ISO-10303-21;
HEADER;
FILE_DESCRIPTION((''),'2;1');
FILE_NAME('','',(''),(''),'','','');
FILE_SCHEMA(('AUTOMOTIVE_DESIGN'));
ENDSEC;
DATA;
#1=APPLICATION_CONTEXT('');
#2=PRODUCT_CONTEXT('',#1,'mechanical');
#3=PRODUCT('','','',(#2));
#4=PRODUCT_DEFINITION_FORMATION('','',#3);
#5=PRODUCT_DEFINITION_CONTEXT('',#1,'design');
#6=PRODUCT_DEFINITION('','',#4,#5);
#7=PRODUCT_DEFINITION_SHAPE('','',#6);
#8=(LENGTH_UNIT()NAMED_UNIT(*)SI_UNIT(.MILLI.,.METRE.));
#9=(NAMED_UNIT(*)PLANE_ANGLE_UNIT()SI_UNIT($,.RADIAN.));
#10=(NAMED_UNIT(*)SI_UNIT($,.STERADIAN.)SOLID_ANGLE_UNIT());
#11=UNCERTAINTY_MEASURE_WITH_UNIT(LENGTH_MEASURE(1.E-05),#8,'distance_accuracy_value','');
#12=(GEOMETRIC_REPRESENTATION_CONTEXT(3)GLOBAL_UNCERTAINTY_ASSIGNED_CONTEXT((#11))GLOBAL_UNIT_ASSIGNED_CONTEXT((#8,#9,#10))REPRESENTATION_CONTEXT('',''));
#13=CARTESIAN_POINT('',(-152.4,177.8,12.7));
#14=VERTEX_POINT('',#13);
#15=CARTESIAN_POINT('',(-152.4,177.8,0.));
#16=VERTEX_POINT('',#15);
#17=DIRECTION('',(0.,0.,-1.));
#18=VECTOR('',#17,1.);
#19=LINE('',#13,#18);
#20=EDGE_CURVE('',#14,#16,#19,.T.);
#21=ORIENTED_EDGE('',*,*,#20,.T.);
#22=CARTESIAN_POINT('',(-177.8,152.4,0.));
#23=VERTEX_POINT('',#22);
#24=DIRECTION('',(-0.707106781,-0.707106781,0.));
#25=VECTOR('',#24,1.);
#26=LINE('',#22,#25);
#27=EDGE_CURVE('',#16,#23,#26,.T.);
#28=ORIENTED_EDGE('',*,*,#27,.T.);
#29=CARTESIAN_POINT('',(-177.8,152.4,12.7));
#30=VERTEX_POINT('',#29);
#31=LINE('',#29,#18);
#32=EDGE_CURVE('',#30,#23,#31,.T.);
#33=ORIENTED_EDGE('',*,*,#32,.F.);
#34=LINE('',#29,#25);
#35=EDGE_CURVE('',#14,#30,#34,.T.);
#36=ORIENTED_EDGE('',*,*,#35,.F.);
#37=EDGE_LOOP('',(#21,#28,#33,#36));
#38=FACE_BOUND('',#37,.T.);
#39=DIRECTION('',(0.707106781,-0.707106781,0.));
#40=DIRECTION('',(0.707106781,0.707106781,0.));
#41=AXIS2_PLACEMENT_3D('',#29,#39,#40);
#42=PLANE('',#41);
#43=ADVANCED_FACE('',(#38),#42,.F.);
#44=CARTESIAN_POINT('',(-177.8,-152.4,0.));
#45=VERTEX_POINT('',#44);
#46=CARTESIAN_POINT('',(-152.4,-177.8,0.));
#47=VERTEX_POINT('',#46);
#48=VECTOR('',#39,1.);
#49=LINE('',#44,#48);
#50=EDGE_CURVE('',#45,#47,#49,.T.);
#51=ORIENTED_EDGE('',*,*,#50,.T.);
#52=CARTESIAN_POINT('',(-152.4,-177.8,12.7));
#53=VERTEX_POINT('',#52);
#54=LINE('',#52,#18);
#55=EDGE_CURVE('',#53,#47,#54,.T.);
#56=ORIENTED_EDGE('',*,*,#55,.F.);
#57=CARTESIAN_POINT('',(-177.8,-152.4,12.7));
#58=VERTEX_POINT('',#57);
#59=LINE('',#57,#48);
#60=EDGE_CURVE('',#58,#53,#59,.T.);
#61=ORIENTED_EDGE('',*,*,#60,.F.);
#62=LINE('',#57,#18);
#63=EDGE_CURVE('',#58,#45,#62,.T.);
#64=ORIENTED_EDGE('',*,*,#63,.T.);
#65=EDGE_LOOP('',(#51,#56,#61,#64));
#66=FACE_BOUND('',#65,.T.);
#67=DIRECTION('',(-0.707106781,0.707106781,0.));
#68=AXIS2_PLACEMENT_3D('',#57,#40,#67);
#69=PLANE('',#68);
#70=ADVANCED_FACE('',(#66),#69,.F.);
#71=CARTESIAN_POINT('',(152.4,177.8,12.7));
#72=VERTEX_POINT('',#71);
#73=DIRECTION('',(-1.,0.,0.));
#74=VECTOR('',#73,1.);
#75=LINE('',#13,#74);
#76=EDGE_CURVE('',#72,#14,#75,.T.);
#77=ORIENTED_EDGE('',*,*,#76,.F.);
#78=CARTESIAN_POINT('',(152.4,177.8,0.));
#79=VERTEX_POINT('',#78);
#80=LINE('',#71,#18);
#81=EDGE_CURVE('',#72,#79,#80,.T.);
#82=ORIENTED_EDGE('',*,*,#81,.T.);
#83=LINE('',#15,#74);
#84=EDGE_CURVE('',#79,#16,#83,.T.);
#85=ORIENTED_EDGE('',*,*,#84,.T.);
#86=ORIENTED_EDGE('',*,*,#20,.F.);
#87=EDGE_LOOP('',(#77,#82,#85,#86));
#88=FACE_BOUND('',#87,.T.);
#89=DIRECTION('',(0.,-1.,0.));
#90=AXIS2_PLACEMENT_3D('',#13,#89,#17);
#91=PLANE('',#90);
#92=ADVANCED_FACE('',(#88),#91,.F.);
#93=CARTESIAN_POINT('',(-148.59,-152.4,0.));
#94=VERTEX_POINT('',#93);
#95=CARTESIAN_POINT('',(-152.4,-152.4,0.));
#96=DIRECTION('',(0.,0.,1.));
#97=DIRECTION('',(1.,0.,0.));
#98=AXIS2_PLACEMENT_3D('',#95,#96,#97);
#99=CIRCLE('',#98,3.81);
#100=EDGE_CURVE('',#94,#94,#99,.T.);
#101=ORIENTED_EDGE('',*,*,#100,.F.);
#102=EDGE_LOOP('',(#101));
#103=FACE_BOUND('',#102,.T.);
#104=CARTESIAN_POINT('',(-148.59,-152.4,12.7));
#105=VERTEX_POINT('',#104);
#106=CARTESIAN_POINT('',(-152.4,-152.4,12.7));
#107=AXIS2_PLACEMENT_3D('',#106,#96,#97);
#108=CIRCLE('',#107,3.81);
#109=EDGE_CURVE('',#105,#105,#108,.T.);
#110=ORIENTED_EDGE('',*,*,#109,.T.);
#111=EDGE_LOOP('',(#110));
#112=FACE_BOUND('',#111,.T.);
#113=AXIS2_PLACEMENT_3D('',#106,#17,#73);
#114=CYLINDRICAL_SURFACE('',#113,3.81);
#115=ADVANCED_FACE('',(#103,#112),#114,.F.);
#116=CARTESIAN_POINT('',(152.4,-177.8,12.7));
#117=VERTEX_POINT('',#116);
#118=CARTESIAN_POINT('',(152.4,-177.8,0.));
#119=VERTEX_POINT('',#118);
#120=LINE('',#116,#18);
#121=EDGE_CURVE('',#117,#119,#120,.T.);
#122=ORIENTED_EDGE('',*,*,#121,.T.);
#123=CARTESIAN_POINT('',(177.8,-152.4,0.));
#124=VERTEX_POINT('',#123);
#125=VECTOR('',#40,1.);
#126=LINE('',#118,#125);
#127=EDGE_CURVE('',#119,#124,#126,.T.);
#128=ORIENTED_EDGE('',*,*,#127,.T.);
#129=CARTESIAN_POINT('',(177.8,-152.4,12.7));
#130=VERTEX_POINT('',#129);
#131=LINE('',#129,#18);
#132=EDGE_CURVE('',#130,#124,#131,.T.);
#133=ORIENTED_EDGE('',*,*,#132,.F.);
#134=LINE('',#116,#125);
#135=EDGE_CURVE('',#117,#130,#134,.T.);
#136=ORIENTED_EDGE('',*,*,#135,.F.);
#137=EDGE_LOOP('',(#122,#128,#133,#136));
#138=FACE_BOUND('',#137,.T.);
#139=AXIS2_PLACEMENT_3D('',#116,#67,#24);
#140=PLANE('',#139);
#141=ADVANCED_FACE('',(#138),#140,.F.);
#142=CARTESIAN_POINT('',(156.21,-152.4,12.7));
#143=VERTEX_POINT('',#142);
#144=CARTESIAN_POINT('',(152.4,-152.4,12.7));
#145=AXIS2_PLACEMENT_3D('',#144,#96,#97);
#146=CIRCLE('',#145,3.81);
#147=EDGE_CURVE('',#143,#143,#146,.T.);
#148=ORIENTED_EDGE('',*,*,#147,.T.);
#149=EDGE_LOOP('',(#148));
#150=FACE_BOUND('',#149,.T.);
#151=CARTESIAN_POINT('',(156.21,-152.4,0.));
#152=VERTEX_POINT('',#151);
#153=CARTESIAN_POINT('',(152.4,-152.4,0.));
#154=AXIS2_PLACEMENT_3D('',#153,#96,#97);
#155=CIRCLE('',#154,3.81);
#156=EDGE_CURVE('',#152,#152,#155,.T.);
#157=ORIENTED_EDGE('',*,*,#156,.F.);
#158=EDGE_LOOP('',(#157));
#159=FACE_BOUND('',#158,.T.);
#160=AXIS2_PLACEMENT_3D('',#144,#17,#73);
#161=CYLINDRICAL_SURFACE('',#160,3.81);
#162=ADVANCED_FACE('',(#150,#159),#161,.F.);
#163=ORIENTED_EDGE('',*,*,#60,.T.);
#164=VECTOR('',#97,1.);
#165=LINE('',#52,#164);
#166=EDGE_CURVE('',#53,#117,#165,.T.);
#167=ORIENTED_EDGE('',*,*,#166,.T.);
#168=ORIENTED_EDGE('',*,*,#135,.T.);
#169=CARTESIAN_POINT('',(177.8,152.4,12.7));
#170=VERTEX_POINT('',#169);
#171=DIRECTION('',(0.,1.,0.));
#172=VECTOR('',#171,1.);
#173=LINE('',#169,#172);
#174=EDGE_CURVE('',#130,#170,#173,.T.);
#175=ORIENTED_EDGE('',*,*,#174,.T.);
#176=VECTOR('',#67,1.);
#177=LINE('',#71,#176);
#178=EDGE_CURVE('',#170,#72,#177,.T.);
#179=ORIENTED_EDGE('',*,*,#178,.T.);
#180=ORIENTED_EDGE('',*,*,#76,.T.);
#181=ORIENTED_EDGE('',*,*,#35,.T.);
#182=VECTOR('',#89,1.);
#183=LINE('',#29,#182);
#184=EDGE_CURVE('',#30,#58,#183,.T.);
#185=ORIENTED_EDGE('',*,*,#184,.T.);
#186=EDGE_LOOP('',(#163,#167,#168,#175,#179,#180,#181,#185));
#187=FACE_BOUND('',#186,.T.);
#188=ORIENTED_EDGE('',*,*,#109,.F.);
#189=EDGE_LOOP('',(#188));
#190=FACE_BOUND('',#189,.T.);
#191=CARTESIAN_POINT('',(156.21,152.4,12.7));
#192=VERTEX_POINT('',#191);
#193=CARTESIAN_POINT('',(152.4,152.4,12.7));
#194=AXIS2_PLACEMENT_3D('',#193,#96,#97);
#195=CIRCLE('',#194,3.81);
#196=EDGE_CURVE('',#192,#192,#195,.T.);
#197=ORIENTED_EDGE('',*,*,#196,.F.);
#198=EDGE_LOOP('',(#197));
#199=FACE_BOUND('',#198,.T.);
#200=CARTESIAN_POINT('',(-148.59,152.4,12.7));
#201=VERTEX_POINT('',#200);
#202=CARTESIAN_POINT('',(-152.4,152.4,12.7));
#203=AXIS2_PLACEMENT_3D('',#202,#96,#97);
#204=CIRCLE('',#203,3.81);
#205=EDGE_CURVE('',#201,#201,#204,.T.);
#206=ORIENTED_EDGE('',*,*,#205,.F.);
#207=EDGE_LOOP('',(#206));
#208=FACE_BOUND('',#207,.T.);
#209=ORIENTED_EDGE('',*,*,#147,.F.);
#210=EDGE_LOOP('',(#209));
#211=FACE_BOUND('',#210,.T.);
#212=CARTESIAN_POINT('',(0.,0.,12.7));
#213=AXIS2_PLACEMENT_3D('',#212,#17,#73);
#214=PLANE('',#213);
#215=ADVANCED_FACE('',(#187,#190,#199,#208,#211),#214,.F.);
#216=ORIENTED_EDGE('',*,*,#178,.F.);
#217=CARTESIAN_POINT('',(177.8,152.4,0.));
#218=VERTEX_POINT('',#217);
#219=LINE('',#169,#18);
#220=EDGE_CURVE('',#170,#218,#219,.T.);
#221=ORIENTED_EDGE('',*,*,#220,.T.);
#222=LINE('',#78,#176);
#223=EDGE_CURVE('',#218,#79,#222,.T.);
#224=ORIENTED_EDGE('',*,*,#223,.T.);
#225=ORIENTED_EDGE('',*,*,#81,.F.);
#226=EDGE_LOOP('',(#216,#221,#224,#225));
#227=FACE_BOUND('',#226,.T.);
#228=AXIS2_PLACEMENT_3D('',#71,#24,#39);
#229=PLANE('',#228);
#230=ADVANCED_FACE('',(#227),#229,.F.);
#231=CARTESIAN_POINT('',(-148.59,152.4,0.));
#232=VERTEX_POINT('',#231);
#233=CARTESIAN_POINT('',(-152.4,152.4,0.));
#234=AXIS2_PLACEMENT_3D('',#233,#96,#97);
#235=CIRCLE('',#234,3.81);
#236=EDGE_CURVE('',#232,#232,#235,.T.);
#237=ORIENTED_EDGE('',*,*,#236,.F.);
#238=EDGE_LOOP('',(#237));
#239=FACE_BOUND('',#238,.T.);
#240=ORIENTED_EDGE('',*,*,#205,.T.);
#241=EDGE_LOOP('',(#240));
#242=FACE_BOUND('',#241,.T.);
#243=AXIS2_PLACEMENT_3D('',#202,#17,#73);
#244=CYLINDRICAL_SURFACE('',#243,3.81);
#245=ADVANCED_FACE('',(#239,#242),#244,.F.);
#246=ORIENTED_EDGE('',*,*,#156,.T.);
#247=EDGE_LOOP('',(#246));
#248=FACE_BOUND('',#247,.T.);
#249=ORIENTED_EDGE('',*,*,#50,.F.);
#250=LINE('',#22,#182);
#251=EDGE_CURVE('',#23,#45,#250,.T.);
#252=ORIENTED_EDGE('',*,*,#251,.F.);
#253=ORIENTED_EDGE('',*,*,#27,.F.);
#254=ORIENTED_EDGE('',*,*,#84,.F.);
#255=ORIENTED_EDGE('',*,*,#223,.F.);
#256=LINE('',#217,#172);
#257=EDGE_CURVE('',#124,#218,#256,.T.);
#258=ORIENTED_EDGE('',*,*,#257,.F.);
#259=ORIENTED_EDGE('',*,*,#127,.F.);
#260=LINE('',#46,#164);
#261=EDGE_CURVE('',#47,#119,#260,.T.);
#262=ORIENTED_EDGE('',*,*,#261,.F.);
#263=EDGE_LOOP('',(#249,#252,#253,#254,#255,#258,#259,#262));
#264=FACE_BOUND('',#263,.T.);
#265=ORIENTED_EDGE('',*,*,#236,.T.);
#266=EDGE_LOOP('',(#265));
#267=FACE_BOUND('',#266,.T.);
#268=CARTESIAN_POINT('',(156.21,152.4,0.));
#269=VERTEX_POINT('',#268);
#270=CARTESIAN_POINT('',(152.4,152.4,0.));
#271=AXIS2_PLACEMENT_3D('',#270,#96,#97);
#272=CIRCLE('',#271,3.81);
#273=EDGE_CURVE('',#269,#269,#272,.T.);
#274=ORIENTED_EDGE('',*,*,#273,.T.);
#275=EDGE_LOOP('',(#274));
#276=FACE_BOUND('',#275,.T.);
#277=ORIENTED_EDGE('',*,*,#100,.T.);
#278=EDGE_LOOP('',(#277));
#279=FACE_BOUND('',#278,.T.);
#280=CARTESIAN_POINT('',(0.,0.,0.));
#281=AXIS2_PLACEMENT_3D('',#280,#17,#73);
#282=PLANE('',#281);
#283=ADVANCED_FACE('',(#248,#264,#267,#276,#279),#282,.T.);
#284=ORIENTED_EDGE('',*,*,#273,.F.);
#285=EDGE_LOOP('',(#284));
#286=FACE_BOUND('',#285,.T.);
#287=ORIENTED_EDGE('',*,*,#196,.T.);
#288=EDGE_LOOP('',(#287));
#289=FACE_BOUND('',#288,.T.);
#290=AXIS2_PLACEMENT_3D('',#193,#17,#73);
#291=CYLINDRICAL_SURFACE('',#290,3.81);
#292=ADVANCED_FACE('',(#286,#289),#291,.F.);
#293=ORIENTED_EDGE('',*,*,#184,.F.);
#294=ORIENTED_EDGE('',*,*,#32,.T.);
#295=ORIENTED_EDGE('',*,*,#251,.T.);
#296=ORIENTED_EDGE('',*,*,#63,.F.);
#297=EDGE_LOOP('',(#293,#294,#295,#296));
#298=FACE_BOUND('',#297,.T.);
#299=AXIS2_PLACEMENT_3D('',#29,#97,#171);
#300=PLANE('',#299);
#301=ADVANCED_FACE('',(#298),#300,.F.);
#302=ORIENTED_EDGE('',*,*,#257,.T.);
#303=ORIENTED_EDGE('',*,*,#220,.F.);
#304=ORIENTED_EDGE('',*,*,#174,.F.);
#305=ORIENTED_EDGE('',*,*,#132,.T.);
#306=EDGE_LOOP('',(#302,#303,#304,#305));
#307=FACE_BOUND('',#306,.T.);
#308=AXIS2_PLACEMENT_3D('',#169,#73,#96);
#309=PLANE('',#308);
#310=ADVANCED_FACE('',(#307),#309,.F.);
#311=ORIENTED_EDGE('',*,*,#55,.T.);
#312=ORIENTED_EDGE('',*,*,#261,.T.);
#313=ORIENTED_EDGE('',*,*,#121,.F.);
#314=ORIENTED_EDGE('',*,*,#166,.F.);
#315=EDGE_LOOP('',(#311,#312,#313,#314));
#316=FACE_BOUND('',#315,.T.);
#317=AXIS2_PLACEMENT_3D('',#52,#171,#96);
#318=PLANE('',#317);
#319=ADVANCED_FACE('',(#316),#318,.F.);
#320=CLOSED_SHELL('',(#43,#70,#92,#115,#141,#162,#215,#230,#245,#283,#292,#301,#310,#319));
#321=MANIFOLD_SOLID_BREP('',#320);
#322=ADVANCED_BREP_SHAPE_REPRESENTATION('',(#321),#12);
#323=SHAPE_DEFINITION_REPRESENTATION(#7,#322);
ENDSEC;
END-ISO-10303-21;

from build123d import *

# Parameters (mm, degrees)
SKETCH1_R           = 3.81
BOSS_EXTRUDE1_DEPTH = 12.7


with BuildPart() as part:
    # Sketch1 → Boss-Extrude1 (new body)
    with BuildSketch(Plane.XY):
        Polygon((-177.8, 152.4), (-152.4, 177.8), (152.4, 177.8), (177.8, 152.4), (177.8, -152.4), (152.4, -177.8), (-152.4, -177.8), (-177.8, -152.4), align=None)
        with Locations((-152.4, 152.4)):
            Circle(SKETCH1_R, mode=Mode.SUBTRACT)
        with Locations((152.4, 152.4)):
            Circle(SKETCH1_R, mode=Mode.SUBTRACT)
        with Locations((152.4, -152.4)):
            Circle(SKETCH1_R, mode=Mode.SUBTRACT)
        with Locations((-152.4, -152.4)):
            Circle(SKETCH1_R, mode=Mode.SUBTRACT)
    extrude(amount=BOSS_EXTRUDE1_DEPTH)


solid = part.part
